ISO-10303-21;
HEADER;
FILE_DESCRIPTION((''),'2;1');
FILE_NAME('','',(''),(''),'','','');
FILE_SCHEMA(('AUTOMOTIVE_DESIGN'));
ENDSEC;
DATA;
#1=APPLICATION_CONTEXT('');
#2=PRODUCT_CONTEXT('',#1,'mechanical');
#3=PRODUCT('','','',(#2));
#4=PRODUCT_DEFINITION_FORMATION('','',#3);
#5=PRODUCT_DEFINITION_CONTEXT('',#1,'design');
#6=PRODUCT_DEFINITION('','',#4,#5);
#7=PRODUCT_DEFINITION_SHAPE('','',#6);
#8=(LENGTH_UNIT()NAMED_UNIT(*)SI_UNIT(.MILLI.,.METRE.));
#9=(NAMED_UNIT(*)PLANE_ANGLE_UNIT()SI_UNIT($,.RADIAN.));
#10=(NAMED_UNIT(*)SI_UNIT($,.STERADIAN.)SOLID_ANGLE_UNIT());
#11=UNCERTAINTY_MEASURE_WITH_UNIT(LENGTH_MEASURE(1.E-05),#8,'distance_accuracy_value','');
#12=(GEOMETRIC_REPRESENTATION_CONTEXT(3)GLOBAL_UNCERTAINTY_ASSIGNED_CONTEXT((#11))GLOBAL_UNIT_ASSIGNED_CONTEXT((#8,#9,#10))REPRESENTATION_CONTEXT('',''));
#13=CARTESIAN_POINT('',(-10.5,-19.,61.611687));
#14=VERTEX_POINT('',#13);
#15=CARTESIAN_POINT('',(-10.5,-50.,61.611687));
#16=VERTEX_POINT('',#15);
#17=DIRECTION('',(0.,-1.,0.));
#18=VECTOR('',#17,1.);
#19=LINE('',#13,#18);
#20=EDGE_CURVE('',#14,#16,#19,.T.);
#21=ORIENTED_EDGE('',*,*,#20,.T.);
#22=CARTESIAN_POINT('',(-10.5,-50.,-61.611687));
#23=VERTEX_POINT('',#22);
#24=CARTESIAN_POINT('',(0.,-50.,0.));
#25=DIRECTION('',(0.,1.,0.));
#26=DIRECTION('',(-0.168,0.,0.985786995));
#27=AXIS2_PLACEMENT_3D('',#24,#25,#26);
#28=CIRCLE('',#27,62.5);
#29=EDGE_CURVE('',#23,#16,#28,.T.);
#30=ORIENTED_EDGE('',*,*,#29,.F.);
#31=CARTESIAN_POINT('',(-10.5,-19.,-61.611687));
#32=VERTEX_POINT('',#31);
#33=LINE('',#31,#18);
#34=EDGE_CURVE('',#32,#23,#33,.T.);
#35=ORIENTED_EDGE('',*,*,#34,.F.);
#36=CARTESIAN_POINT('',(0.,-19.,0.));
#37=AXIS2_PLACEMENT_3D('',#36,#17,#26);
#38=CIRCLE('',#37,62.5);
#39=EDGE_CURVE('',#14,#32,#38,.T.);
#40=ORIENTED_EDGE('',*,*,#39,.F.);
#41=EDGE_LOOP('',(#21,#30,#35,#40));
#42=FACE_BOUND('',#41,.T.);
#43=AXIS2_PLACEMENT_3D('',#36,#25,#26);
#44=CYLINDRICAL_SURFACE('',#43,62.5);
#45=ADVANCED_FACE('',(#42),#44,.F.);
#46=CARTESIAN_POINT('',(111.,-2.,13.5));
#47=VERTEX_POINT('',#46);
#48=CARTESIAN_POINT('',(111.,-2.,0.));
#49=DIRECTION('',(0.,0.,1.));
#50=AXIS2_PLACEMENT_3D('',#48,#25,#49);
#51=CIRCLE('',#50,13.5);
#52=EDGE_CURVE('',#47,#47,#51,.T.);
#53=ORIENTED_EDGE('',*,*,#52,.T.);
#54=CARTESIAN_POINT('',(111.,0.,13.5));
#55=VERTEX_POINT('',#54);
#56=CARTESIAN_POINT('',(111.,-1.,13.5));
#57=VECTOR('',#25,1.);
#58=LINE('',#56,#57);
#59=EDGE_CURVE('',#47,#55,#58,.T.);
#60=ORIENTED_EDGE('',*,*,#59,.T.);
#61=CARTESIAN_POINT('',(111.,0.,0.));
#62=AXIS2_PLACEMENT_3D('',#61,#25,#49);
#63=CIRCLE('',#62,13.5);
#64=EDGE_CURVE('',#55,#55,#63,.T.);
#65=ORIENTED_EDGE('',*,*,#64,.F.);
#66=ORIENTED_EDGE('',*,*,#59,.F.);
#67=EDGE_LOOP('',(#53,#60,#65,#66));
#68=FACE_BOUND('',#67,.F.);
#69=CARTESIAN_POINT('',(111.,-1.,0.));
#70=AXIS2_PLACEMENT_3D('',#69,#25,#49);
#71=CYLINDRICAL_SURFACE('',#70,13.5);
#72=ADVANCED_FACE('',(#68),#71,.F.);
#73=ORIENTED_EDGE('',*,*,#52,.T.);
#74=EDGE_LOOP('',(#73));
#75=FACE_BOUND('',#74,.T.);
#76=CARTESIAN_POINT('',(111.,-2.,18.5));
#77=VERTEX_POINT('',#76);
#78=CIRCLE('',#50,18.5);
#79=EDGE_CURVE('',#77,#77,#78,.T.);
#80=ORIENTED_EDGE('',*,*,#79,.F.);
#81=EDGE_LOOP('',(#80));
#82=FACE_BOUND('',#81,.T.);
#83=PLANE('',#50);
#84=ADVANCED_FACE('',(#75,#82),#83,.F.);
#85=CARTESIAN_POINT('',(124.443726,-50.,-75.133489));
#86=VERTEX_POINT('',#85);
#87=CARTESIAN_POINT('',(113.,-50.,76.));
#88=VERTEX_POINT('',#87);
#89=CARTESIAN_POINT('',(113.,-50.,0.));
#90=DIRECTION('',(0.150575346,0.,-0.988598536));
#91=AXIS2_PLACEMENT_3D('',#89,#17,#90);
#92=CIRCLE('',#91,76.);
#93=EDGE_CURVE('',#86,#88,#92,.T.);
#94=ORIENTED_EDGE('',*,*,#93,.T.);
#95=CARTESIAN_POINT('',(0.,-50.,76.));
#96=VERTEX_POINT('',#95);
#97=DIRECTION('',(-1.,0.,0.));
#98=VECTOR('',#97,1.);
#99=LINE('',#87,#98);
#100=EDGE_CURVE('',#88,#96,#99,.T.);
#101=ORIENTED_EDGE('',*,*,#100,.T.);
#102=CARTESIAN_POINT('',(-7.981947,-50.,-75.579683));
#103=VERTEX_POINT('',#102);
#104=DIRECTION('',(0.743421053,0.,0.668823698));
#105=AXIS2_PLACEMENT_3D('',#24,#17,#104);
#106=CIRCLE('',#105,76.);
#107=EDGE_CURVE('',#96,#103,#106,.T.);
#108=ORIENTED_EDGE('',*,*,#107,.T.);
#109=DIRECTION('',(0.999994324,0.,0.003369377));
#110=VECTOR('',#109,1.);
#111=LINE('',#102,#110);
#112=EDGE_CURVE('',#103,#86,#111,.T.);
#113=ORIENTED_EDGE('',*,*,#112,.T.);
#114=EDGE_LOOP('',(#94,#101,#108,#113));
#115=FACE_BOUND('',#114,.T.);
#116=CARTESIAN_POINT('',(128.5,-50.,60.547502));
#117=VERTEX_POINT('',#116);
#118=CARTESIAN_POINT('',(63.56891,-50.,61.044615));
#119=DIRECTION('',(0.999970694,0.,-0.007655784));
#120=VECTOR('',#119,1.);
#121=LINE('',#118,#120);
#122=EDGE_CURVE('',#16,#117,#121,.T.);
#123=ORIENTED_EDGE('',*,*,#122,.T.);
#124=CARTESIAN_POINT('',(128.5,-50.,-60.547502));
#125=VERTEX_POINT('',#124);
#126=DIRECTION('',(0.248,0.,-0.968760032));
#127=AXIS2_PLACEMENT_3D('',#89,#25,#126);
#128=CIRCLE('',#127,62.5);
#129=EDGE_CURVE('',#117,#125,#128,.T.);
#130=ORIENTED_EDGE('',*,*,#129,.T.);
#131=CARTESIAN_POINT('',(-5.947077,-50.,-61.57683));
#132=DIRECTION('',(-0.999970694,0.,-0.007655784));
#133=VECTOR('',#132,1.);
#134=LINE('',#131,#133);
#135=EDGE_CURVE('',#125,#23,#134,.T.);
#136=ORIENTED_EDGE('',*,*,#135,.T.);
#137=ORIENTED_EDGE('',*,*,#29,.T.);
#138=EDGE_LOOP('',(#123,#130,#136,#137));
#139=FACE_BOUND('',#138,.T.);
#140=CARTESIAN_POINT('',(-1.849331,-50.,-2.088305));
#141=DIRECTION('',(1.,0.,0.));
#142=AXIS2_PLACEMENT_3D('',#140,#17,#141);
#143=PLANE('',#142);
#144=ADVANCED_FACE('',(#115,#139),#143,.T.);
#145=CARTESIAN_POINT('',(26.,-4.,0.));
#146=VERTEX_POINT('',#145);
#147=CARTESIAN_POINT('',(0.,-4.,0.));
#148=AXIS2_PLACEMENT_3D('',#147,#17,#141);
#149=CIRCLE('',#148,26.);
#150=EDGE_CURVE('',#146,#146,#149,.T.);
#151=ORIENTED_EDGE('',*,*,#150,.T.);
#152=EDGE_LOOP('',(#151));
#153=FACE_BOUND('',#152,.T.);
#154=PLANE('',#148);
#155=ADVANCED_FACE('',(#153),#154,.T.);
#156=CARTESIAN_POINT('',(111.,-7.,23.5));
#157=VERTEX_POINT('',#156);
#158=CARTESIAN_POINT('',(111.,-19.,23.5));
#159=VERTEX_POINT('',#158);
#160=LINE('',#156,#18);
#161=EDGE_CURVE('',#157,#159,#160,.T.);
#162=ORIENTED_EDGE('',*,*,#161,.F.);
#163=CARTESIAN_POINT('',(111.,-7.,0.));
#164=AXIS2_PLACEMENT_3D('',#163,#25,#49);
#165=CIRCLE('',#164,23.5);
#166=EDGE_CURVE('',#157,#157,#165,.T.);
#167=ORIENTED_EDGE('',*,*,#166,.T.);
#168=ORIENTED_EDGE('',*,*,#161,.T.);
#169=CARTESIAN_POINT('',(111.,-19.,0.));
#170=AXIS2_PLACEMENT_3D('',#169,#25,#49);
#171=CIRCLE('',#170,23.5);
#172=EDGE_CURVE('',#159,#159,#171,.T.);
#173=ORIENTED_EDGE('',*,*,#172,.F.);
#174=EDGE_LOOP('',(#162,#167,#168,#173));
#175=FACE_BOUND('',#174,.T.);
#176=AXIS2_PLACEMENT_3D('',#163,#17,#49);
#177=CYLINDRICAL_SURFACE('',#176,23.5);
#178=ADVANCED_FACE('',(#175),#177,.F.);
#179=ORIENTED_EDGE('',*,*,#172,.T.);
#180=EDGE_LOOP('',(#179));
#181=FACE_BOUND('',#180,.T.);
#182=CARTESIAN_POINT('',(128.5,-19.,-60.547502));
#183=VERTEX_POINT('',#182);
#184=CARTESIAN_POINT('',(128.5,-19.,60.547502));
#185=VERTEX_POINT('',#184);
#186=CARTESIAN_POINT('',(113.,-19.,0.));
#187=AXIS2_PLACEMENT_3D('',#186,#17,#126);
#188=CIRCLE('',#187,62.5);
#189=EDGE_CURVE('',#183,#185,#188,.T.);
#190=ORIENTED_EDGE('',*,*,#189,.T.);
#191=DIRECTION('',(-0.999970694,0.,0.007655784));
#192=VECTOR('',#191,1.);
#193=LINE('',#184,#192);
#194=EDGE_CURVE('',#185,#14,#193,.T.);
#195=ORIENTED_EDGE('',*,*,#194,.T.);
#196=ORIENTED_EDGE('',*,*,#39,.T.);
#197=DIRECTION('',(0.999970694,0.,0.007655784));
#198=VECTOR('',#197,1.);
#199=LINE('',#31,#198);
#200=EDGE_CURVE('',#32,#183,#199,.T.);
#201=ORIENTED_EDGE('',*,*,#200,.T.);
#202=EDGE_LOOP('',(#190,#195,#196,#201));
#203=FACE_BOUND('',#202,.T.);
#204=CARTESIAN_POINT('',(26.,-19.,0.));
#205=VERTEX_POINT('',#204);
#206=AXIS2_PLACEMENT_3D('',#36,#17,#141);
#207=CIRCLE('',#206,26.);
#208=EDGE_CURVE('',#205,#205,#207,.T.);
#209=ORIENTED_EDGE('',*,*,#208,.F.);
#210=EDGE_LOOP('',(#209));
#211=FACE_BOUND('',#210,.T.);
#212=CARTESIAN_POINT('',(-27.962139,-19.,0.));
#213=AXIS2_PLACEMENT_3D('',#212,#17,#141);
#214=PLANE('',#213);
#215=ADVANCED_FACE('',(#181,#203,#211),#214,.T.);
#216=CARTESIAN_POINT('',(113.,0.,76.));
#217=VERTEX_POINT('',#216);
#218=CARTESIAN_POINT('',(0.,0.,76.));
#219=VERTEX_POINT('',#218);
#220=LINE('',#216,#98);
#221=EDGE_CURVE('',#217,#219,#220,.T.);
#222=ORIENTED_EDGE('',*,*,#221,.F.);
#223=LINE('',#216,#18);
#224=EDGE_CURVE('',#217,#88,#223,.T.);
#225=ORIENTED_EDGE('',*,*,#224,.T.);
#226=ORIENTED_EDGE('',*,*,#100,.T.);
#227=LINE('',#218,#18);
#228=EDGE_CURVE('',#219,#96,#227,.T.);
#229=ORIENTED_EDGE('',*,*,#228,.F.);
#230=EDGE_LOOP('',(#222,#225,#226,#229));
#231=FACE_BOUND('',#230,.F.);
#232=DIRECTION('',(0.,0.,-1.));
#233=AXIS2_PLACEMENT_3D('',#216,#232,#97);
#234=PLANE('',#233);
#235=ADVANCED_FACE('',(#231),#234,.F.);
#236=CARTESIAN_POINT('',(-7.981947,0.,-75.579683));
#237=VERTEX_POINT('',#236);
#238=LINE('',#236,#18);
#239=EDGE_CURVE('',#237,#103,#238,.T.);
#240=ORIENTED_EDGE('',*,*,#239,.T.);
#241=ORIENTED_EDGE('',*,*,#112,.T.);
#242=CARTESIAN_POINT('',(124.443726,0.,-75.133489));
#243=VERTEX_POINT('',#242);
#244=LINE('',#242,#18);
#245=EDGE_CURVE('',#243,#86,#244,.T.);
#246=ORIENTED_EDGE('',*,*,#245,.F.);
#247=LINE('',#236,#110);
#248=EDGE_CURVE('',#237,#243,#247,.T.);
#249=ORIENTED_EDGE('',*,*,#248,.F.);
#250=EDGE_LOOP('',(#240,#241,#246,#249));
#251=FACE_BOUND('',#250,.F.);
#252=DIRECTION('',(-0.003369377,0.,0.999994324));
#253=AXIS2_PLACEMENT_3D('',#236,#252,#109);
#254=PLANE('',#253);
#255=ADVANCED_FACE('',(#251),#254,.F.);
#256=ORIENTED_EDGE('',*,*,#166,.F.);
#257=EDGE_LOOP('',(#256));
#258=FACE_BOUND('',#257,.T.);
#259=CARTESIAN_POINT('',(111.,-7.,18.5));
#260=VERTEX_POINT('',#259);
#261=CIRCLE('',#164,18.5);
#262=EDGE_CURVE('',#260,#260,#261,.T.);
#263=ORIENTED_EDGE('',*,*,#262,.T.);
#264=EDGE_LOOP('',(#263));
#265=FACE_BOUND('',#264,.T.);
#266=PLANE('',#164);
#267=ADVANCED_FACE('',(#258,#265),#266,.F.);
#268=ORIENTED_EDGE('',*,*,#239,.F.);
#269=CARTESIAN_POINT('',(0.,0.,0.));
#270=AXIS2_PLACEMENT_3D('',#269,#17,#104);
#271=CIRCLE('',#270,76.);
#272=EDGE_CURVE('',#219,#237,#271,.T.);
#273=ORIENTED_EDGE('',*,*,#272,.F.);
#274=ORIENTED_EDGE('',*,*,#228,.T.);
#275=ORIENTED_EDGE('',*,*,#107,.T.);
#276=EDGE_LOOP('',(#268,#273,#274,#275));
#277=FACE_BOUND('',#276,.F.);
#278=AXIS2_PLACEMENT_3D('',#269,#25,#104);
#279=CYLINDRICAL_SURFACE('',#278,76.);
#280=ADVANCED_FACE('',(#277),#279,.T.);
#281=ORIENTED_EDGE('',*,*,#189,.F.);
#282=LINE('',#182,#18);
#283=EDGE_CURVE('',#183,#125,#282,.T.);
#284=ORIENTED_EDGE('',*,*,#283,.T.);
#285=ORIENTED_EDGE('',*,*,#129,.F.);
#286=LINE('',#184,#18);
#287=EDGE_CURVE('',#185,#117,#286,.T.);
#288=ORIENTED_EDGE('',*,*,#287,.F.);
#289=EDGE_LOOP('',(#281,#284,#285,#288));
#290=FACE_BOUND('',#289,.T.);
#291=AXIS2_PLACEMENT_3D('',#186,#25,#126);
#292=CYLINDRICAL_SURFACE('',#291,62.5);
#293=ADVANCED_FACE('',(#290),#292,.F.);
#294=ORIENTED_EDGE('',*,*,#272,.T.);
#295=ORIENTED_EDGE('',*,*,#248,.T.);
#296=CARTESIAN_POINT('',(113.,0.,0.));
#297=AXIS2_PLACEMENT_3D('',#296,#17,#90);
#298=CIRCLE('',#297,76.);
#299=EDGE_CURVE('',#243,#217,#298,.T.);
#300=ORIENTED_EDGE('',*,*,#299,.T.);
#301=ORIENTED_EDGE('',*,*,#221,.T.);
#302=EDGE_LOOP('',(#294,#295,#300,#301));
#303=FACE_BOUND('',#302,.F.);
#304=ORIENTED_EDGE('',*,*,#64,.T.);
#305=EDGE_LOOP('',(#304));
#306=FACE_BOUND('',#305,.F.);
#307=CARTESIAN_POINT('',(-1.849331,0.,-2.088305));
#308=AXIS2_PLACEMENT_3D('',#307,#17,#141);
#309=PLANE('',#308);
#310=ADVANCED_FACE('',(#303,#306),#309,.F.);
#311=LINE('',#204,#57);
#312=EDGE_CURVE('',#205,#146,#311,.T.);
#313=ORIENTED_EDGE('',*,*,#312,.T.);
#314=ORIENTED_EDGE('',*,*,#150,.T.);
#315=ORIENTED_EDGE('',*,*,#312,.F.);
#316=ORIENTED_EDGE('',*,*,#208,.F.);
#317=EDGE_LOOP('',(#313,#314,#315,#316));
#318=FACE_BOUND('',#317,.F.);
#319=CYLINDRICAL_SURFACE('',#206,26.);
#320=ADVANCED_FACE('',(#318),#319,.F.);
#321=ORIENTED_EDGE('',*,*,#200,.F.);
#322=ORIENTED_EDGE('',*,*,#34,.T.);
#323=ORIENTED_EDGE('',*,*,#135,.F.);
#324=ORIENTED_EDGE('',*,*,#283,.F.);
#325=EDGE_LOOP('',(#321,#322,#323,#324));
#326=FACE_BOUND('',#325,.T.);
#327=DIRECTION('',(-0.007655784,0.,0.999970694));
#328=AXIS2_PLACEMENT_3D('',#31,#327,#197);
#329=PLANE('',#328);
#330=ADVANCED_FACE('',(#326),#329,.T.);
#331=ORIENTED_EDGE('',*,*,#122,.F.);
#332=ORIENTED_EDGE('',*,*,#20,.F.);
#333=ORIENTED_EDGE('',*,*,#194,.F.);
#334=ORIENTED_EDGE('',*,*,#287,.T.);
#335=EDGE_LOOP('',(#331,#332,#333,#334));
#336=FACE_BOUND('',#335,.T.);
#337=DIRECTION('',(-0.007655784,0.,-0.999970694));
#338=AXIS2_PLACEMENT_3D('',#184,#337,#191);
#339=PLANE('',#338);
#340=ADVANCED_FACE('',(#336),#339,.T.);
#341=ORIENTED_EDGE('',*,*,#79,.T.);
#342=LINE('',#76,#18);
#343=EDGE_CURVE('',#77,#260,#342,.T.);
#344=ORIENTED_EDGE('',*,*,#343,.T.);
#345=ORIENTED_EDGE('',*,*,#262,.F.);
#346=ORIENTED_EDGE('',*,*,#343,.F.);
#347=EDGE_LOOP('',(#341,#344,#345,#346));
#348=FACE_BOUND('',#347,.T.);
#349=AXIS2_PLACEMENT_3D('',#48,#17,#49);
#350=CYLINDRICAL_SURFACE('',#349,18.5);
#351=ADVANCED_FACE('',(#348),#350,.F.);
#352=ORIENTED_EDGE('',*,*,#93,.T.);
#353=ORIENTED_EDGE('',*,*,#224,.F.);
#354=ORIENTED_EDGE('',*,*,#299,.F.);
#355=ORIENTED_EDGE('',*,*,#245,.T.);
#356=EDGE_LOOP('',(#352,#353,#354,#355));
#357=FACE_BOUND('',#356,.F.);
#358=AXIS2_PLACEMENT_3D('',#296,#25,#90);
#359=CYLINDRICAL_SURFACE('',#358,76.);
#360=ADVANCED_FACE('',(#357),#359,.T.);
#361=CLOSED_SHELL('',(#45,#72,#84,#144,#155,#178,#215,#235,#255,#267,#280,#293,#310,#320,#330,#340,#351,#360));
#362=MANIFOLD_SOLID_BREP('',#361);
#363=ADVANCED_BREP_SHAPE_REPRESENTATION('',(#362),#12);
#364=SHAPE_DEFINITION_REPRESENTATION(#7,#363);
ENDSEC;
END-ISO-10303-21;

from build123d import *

# Parameters (mm, degrees)
F1_DEPTH = 50
F4_DEPTH = 47
F5_R     = 26
F6_DEPTH = 15
F8_W     = 2
F8_H     = 13.5


with BuildPart() as f1:
    # F0 (on Front) → F1 (new body)
    with BuildSketch(Plane.XZ):
        with BuildLine():
            ThreePointArc((56.5, 50.8306010195), (30.9263182623, 69.4230713721), (0, 76))
            ThreePointArc((0, 76), (-75.8948480637, 3.9965031459), (-7.9819473433, -75.5796832264))
            Line((-7.9819473433, -75.5796832264), (8.4910760519, -75.5241790917))
            ThreePointArc((8.4910760519, -75.5241790917), (34.7620941702, -67.5839981719), (56.5, -50.8306010195))
            ThreePointArc((56.5, -50.8306010195), (37, 0), (56.5, 50.8306010195))
        make_face()
        with BuildLine():
            Line((113, 76), (0, 76))
            ThreePointArc((0, 76), (30.9263182623, 69.4230713721), (56.5, 50.8306010195))
            ThreePointArc((56.5, 50.8306010195), (82.0736817377, 69.4230713721), (113, 76))
        make_face()
        with BuildLine():
            ThreePointArc((113, 76), (82.0736817377, 69.4230713721), (56.5, 50.8306010195))
            ThreePointArc((56.5, 50.8306010195), (76, 0), (56.5, -50.8306010195))
            ThreePointArc((56.5, -50.8306010195), (77.1458775127, -67.0110580477), (102.0628366951, -75.2088988009))
            Line((102.0628366951, -75.2088988009), (124.4437263036, -75.133488727))
            ThreePointArc((124.4437263036, -75.133488727), (188.7830625643, 5.7382426207), (113, 76))
        make_face()
        with BuildLine():
            ThreePointArc((56.5, -50.8306010195), (76, 0), (56.5, 50.8306010195))
            ThreePointArc((56.5, 50.8306010195), (37, 0), (56.5, -50.8306010195))
        make_face()
        with BuildLine():
            ThreePointArc((56.5, -50.8306010195), (34.7620941702, -67.5839981719), (8.4910760519, -75.5241790917))
            Line((8.4910760519, -75.5241790917), (102.0628366951, -75.2088988009))
            ThreePointArc((102.0628366951, -75.2088988009), (77.1458775127, -67.0110580477), (56.5, -50.8306010195))
        make_face()
    extrude(amount=F1_DEPTH)

    # F3 (on offset) → F4 (cut)
    with BuildSketch(Plane.XZ.offset(19)):
        with BuildLine():
            Line((-10.5, -61.611687203), (-10.5, 61.611687203))
            ThreePointArc((-10.5, 61.611687203), (-62.5, 0), (-10.5, -61.611687203))
        make_face()
        Polygon((128.5, 60.5475020129), (-10.5, 61.611687203), (-10.5, -61.611687203), (128.5, -60.5475020129), align=None)
        with BuildLine():
            ThreePointArc((128.5, -60.5475020129), (175.5, 0), (128.5, 60.5475020129))
            Line((128.5, 60.5475020129), (128.5, -60.5475020129))
        make_face()
    extrude(amount=F4_DEPTH, mode=Mode.SUBTRACT)

    # F5 (on offset) → F6 (cut)
    with BuildSketch(Plane.XZ.offset(19)):
        Circle(F5_R)
    extrude(amount=-F6_DEPTH, mode=Mode.SUBTRACT)

    # F8 (on offset) → F9 (revolve, cut)
    with BuildSketch(Plane.YZ.offset(111)):
        with Locations((-1, 6.75)):
            Rectangle(F8_W, F8_H)
        Polygon((-17, 0), (-2, 0), (-2, 13.5), (-2, 18.5), (-7, 18.5), (-7, 23.5), (-19, 23.5), (-19, 0), align=None)
    revolve(axis=Axis((111, -8.5, 0), (0, 1, 0)), mode=Mode.SUBTRACT)


solid = f1.part
